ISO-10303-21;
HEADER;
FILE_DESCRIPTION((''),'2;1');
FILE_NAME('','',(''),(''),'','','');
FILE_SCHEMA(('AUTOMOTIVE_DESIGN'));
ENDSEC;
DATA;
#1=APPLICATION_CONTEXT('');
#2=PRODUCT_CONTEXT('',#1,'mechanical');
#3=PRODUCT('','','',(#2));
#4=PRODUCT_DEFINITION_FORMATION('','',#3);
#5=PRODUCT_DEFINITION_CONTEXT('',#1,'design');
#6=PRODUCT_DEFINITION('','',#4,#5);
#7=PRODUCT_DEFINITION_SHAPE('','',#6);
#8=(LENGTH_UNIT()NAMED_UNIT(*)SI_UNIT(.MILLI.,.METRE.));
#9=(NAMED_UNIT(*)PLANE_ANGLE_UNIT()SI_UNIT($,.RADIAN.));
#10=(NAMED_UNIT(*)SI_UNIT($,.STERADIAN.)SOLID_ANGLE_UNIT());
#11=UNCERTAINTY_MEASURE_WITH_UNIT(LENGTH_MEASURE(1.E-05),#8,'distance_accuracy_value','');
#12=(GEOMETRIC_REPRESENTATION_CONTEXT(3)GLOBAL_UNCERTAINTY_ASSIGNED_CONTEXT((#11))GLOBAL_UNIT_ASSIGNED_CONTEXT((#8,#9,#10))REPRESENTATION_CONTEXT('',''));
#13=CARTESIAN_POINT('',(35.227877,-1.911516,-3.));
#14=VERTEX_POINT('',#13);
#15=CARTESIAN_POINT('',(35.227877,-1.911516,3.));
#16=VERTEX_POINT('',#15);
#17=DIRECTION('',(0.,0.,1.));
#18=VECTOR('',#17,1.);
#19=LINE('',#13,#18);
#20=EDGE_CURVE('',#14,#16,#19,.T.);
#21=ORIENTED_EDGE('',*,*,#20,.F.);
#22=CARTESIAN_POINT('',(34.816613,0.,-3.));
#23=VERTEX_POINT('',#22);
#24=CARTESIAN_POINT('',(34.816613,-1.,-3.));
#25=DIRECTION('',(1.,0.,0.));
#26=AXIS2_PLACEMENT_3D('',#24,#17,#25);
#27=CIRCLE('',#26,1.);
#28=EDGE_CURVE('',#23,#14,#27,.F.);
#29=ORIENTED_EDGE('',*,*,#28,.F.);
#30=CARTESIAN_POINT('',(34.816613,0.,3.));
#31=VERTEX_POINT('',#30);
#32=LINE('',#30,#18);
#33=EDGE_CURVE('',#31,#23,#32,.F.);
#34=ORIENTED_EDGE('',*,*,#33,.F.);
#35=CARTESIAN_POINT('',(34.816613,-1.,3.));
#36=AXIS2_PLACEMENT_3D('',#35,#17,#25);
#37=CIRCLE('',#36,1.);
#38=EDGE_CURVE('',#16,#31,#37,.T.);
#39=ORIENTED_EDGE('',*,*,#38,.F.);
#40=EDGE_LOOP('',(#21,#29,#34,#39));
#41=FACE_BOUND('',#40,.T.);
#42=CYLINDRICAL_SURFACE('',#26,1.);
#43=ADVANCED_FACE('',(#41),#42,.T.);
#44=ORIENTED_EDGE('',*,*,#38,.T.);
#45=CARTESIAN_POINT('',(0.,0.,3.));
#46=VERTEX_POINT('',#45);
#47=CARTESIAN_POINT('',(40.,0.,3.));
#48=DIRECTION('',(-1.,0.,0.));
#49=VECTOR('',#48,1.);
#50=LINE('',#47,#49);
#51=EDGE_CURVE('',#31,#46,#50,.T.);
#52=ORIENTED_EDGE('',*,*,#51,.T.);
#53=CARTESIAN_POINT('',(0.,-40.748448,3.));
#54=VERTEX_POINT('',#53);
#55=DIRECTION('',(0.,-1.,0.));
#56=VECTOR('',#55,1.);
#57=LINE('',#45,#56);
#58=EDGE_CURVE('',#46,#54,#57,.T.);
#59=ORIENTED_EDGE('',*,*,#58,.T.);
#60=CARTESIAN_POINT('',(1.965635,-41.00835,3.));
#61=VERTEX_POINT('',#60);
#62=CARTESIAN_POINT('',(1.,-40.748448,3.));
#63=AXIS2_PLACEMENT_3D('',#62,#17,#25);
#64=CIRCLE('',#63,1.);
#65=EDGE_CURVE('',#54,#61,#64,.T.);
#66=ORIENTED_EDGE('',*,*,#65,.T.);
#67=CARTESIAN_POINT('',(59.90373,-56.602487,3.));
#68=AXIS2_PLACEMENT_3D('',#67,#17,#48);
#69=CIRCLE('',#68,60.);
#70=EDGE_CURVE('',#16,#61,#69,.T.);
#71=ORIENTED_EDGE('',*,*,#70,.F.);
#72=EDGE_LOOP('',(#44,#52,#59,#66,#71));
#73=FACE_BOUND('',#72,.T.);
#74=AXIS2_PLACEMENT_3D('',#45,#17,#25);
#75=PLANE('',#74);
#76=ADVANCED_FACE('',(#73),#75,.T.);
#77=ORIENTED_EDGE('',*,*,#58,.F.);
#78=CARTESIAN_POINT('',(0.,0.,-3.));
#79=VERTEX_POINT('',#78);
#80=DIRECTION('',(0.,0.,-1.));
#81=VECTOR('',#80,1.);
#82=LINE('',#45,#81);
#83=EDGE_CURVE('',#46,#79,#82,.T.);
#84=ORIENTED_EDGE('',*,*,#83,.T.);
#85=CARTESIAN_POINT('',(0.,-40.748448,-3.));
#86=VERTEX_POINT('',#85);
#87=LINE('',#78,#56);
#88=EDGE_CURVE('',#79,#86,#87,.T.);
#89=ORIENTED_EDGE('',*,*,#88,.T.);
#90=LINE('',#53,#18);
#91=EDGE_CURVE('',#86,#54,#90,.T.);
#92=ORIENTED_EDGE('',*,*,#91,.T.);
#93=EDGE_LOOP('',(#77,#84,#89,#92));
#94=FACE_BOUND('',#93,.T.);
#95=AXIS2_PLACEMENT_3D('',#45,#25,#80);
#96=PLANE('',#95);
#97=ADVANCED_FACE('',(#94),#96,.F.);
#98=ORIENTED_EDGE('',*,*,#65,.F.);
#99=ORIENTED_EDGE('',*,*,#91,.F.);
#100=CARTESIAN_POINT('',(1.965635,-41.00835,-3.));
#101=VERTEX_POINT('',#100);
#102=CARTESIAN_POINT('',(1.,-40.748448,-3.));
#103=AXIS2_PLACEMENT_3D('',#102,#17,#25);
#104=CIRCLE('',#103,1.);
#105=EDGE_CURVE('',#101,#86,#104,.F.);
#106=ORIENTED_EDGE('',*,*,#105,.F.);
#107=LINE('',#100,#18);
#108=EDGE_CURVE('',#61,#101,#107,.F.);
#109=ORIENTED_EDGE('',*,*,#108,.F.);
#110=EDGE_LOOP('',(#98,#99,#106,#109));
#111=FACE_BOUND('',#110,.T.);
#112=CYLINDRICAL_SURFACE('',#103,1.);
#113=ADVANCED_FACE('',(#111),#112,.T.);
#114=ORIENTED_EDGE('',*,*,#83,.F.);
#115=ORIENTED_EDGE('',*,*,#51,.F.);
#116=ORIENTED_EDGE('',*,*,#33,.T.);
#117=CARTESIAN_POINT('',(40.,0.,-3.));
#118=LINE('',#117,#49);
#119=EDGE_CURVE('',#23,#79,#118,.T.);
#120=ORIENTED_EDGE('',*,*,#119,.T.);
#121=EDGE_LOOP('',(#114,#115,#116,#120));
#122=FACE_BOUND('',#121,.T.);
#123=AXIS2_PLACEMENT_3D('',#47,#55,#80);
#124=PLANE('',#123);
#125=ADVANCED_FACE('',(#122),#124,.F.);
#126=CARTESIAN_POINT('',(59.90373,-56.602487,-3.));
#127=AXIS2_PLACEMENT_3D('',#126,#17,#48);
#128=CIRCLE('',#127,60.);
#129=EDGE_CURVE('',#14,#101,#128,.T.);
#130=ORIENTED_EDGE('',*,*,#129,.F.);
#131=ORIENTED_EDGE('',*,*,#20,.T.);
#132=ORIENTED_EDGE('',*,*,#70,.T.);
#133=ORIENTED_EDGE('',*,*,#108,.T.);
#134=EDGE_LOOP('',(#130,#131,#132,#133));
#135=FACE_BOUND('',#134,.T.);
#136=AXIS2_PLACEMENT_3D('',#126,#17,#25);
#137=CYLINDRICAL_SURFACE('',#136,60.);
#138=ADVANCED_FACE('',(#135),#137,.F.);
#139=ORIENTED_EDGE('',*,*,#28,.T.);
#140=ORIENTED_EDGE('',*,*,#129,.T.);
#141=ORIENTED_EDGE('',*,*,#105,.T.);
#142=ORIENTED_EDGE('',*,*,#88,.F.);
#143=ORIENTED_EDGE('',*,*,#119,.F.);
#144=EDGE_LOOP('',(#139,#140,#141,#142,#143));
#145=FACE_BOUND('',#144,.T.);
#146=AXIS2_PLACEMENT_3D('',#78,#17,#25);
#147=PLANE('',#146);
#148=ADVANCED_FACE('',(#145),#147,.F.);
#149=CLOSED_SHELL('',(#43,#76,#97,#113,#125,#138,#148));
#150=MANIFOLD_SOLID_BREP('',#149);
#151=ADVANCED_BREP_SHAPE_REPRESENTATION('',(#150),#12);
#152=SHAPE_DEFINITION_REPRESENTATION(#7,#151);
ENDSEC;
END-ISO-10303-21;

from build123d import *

# Parameters (mm, degrees)
BOSS_EXTRUDE1_DEPTH     = 3
CUT_EXTRUDE1_DEPTH      = 73.173402303
CUT_EXTRUDE1_DEPTH_BACK = 73.173402303
FILLET1_R               = 1


with BuildPart() as part:
    # Sketch1 → Boss-Extrude1 (new, symmetric)
    with BuildSketch(Plane.XY):
        Polygon((0, 0), (0, -60), (40, 0), align=None)
    extrude(amount=BOSS_EXTRUDE1_DEPTH, both=True)

    # Sketch2 → Cut-Extrude1 (cut, two sides: drawn at the far end of the back side and taken through both)
    with BuildSketch(Plane.XY.offset(-CUT_EXTRUDE1_DEPTH_BACK)):
        with BuildLine():
            Line((40, 0), (0, -60))
            ThreePointArc((0, -60), (9.980712645, -23.320475097), (40, 0))
        make_face()
    extrude(amount=CUT_EXTRUDE1_DEPTH + CUT_EXTRUDE1_DEPTH_BACK, mode=Mode.SUBTRACT)

    # Fillet1
    fillet1_edges = [part.edges().sort_by_distance(p)[0] for p in [
        (0, -53.204973741, 0),
        (40, 0, 0),
    ]]
    fillet(fillet1_edges, radius=FILLET1_R)


solid = part.part
